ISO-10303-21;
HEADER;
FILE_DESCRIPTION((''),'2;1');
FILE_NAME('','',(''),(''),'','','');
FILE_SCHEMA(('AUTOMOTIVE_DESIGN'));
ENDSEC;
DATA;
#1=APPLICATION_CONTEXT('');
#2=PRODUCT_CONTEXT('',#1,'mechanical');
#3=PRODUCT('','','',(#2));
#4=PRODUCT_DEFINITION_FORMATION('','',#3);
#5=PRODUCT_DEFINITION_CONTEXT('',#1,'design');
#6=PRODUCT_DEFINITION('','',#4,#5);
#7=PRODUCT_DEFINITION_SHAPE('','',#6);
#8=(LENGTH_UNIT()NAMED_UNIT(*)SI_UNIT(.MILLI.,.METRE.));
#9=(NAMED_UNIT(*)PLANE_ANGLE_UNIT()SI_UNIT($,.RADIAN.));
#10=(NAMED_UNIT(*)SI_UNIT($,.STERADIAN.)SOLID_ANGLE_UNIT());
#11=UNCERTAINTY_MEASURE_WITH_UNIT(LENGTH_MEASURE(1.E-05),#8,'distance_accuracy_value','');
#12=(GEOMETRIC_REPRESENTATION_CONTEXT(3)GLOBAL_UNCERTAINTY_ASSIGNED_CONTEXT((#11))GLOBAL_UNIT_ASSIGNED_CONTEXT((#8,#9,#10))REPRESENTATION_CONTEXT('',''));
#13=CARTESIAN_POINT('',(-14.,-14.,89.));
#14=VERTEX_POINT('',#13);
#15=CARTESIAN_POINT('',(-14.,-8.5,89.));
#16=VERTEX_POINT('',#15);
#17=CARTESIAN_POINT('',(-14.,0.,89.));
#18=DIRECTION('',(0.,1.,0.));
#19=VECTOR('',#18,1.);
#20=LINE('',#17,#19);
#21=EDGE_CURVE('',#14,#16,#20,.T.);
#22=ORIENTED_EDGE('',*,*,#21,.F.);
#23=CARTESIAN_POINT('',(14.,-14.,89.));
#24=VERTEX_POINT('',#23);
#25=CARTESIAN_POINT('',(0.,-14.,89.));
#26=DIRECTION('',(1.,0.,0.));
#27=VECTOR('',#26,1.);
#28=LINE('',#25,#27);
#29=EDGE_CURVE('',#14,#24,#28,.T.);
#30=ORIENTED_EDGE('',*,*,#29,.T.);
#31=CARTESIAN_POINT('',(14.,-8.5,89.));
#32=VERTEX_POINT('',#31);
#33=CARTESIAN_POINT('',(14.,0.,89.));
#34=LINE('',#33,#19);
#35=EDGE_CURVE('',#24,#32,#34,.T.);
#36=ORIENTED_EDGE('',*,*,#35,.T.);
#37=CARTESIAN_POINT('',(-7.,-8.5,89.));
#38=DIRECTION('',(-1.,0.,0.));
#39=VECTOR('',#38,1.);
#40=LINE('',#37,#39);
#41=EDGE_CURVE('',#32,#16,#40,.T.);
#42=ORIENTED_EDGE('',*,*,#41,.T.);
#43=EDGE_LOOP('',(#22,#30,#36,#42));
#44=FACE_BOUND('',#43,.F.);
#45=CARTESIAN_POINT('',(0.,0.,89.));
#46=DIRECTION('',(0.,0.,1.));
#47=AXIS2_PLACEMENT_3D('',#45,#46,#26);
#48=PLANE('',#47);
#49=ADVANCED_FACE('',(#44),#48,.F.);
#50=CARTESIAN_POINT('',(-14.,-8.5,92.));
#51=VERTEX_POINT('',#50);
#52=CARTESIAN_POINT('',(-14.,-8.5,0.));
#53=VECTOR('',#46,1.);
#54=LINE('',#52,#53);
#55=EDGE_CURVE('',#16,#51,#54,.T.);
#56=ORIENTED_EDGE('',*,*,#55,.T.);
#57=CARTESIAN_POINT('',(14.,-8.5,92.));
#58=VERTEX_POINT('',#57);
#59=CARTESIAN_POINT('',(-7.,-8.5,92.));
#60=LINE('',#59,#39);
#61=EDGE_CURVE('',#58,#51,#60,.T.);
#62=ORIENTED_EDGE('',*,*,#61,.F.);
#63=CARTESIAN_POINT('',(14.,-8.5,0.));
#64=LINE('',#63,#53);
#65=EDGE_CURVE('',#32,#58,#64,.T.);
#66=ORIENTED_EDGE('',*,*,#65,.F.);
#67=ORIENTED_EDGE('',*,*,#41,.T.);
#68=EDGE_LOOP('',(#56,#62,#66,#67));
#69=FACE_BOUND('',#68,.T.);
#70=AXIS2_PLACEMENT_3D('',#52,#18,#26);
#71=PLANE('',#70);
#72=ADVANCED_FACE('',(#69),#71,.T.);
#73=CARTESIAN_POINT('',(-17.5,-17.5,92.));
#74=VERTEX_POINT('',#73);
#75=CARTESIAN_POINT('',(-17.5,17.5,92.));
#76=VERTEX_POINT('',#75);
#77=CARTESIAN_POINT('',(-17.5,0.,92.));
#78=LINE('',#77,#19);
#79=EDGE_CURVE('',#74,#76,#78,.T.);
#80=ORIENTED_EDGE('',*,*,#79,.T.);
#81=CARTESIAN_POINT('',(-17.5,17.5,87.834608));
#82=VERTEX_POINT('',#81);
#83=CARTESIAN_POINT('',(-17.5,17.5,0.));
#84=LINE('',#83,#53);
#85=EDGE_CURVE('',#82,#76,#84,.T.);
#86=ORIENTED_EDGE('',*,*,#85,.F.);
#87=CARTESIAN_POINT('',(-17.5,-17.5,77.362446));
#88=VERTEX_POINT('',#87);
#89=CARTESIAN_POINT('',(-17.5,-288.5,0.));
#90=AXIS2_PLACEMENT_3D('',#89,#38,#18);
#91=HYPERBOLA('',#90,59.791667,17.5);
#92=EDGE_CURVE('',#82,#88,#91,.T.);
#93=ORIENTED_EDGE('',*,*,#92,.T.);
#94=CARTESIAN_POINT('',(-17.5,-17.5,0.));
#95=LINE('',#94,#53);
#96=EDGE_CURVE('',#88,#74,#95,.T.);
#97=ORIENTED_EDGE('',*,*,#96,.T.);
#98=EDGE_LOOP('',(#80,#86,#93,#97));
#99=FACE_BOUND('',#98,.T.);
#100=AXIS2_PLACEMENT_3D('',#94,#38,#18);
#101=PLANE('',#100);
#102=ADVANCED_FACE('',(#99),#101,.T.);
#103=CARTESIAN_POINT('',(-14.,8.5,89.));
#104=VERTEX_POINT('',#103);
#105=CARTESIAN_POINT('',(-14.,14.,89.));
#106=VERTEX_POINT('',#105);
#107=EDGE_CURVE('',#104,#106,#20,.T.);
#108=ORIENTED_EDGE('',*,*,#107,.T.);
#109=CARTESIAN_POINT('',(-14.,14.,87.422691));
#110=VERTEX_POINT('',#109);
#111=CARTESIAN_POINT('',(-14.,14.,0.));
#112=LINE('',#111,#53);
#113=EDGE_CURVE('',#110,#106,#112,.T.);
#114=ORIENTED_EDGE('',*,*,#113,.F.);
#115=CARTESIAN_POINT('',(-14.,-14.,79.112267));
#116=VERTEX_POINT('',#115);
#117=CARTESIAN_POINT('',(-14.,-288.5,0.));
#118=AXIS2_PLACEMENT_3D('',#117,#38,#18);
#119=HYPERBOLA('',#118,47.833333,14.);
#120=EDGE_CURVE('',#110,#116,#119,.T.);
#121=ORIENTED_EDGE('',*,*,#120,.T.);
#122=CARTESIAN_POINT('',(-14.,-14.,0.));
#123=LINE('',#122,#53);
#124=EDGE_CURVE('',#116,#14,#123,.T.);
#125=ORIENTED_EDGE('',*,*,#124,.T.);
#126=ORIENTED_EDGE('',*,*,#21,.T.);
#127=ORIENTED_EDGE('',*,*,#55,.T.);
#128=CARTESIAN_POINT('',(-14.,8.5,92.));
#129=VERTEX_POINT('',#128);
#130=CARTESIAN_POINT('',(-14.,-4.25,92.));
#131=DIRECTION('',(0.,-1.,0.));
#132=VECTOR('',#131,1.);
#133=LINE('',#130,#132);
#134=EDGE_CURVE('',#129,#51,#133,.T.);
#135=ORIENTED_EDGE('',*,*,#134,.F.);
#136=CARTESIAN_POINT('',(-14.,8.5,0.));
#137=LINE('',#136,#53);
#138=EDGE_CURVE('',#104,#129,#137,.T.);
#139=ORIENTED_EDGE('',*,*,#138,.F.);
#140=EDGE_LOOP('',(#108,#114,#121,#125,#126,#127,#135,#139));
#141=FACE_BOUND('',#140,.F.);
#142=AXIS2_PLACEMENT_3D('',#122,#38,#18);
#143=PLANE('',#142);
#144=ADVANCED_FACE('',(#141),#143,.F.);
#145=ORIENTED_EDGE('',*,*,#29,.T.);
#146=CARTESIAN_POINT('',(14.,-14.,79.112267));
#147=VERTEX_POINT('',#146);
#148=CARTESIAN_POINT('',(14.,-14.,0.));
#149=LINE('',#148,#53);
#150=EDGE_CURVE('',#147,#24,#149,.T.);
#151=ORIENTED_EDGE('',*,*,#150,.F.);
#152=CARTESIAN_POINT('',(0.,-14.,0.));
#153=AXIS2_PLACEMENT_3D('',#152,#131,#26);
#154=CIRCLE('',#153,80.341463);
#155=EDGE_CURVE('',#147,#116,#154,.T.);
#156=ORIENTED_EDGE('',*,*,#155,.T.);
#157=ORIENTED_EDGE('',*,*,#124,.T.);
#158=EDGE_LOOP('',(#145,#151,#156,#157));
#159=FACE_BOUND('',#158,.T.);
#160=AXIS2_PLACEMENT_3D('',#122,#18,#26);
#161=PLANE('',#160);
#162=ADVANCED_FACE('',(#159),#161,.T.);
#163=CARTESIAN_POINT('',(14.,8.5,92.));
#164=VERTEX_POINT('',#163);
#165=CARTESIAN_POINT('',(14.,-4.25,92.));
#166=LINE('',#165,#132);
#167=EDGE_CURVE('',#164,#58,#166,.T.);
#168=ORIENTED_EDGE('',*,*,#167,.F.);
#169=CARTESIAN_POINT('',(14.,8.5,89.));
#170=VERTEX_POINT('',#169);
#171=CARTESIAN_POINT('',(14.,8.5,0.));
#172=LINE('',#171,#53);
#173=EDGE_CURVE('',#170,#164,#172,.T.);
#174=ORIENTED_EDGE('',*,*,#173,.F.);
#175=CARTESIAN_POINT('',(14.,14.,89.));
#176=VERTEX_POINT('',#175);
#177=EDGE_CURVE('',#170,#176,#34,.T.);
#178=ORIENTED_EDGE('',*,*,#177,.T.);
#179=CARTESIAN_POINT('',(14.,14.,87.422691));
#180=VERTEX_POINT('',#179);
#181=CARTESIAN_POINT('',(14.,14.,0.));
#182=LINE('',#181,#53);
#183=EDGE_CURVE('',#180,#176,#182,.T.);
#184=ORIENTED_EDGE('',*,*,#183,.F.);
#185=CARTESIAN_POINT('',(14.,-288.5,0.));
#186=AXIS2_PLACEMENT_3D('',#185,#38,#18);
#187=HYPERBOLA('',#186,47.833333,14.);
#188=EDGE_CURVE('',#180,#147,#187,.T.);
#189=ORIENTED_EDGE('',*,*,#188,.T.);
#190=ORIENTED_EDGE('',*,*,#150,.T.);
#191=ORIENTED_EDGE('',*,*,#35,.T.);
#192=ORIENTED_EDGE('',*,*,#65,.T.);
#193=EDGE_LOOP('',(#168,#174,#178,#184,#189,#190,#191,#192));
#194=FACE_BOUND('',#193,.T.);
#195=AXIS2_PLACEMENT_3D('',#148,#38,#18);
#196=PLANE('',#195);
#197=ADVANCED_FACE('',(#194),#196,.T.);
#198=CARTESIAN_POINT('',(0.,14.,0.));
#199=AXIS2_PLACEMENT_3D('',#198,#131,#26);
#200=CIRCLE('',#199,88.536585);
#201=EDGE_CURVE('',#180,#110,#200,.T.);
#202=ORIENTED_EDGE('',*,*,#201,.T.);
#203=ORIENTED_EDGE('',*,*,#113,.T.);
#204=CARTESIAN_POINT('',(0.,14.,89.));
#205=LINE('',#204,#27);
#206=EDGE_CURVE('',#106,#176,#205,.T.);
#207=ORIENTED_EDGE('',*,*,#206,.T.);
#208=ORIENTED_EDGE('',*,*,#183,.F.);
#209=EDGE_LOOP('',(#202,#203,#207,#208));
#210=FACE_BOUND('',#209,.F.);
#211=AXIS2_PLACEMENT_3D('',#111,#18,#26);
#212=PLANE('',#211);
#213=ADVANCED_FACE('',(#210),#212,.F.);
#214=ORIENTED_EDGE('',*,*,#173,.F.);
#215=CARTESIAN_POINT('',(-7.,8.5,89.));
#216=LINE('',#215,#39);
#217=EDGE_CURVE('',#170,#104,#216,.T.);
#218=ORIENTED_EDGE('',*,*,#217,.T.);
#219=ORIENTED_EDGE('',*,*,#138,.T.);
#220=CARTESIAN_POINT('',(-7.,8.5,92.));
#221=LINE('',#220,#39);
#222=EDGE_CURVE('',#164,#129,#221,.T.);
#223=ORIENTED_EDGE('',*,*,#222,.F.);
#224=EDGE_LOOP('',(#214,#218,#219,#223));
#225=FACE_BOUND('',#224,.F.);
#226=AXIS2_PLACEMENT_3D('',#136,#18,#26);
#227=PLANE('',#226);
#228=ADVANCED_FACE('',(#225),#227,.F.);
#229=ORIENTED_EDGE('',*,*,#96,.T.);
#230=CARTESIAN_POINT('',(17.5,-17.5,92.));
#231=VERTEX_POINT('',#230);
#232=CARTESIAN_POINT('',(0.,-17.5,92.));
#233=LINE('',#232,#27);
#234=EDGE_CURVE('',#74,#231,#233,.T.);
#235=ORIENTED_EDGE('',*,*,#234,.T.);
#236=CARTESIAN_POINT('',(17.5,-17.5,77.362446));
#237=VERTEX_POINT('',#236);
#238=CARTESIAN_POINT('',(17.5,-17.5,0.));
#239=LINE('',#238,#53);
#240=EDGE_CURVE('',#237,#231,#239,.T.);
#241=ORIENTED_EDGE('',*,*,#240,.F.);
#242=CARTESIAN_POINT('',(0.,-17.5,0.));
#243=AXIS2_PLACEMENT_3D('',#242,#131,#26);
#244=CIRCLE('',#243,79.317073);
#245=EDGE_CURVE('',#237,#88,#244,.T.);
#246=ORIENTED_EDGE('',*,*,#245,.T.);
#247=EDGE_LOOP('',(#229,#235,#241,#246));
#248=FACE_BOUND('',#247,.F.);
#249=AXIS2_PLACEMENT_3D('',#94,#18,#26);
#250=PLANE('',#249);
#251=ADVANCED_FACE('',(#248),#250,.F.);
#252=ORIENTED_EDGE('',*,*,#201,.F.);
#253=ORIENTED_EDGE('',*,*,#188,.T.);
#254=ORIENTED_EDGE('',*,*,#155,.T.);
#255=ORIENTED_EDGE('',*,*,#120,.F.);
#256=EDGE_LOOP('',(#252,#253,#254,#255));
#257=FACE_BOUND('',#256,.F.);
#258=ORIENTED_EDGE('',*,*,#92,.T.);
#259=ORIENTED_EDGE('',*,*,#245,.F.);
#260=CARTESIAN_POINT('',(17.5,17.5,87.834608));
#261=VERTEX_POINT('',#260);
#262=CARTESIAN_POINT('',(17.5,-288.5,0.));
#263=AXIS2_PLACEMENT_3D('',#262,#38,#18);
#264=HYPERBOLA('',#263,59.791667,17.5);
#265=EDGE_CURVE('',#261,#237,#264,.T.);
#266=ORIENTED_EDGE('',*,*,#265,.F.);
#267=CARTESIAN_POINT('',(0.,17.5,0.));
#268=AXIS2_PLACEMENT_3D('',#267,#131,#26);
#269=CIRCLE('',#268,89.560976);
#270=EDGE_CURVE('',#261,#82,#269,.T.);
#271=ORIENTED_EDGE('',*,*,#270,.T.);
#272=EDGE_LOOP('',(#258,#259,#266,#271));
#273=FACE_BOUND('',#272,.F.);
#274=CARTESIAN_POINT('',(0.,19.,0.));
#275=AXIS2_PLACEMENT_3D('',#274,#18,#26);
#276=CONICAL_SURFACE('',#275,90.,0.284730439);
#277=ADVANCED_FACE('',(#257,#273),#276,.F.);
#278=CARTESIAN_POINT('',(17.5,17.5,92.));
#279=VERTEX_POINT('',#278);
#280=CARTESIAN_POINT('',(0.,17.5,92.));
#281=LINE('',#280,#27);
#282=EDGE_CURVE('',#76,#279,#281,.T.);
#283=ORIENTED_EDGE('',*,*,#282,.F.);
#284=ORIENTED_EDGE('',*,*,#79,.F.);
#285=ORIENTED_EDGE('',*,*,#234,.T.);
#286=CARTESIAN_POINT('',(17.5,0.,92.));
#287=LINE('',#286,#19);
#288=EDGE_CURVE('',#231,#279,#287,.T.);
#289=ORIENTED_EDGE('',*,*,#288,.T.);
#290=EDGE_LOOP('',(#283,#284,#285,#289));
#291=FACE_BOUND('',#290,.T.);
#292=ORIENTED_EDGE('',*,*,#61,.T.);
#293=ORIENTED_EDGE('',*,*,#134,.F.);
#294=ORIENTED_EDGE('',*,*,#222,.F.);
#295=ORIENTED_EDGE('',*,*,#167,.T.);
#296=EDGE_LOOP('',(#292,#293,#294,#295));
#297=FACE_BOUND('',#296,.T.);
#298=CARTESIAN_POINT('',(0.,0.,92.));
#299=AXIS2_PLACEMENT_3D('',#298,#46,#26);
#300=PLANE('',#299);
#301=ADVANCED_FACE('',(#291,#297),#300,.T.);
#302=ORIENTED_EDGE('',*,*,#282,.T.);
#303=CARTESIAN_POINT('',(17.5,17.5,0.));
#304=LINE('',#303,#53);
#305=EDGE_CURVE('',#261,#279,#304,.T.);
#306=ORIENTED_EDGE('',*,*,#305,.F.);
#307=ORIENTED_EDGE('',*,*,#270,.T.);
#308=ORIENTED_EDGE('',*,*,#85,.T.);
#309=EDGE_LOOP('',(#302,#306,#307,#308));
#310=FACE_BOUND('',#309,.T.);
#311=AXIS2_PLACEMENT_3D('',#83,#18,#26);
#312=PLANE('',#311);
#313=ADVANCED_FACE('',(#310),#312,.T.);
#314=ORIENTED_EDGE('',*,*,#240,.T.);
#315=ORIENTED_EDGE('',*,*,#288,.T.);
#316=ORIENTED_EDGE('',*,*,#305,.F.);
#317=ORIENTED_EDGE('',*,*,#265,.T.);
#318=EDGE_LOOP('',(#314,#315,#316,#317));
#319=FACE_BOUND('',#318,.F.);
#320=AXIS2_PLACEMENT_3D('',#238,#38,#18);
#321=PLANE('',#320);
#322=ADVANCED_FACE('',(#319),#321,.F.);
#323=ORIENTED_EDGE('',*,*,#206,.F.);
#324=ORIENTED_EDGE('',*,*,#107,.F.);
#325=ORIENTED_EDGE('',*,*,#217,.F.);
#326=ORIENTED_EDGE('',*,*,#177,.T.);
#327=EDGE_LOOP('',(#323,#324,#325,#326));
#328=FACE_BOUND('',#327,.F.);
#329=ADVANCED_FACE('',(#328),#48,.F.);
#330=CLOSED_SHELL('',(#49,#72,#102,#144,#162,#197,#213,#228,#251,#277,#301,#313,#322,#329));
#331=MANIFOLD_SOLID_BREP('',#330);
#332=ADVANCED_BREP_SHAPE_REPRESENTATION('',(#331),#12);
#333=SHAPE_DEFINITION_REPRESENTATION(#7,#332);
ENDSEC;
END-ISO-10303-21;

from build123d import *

# Parameters (mm, degrees)
SKETCH_W        = 35
SKETCH_H        = 35
PAD_DEPTH       = 92
SKETCH002_W     = 28
SKETCH002_H     = 28
POCKET001_DEPTH = 89
SKETCH003_W     = 28
SKETCH003_H     = 17
POCKET_DEPTH    = 92.001


with BuildPart() as kegel:
    # Cone → Cone (revolve)
    with BuildSketch(Plane(origin=(0, 19, 0), x_dir=(1, 0, 0), z_dir=(0, 0, -1))):
        Polygon((0, 0), (90, 0), (78, 41), (0, 41), align=None)
    revolve(axis=Axis((0, 19, 0), (0, -1, 0)))


with BuildPart() as cut:
    # Sketch → Pad (new body)
    with BuildSketch(Plane.XY):
        Rectangle(SKETCH_W, SKETCH_H)
    extrude(amount=PAD_DEPTH)

    # Sketch002 → Pocket001 (cut)
    with BuildSketch(Plane.XY):
        Rectangle(SKETCH002_W, SKETCH002_H)
    extrude(amount=POCKET001_DEPTH, mode=Mode.SUBTRACT)

    # Sketch003 → Pocket (cut, through all)
    with BuildSketch(Plane.XY):
        Rectangle(SKETCH003_W, SKETCH003_H)
    extrude(amount=POCKET_DEPTH, mode=Mode.SUBTRACT)

    # Cut: cut Kegel
    add(kegel.part, mode=Mode.SUBTRACT)


solid = cut.part
